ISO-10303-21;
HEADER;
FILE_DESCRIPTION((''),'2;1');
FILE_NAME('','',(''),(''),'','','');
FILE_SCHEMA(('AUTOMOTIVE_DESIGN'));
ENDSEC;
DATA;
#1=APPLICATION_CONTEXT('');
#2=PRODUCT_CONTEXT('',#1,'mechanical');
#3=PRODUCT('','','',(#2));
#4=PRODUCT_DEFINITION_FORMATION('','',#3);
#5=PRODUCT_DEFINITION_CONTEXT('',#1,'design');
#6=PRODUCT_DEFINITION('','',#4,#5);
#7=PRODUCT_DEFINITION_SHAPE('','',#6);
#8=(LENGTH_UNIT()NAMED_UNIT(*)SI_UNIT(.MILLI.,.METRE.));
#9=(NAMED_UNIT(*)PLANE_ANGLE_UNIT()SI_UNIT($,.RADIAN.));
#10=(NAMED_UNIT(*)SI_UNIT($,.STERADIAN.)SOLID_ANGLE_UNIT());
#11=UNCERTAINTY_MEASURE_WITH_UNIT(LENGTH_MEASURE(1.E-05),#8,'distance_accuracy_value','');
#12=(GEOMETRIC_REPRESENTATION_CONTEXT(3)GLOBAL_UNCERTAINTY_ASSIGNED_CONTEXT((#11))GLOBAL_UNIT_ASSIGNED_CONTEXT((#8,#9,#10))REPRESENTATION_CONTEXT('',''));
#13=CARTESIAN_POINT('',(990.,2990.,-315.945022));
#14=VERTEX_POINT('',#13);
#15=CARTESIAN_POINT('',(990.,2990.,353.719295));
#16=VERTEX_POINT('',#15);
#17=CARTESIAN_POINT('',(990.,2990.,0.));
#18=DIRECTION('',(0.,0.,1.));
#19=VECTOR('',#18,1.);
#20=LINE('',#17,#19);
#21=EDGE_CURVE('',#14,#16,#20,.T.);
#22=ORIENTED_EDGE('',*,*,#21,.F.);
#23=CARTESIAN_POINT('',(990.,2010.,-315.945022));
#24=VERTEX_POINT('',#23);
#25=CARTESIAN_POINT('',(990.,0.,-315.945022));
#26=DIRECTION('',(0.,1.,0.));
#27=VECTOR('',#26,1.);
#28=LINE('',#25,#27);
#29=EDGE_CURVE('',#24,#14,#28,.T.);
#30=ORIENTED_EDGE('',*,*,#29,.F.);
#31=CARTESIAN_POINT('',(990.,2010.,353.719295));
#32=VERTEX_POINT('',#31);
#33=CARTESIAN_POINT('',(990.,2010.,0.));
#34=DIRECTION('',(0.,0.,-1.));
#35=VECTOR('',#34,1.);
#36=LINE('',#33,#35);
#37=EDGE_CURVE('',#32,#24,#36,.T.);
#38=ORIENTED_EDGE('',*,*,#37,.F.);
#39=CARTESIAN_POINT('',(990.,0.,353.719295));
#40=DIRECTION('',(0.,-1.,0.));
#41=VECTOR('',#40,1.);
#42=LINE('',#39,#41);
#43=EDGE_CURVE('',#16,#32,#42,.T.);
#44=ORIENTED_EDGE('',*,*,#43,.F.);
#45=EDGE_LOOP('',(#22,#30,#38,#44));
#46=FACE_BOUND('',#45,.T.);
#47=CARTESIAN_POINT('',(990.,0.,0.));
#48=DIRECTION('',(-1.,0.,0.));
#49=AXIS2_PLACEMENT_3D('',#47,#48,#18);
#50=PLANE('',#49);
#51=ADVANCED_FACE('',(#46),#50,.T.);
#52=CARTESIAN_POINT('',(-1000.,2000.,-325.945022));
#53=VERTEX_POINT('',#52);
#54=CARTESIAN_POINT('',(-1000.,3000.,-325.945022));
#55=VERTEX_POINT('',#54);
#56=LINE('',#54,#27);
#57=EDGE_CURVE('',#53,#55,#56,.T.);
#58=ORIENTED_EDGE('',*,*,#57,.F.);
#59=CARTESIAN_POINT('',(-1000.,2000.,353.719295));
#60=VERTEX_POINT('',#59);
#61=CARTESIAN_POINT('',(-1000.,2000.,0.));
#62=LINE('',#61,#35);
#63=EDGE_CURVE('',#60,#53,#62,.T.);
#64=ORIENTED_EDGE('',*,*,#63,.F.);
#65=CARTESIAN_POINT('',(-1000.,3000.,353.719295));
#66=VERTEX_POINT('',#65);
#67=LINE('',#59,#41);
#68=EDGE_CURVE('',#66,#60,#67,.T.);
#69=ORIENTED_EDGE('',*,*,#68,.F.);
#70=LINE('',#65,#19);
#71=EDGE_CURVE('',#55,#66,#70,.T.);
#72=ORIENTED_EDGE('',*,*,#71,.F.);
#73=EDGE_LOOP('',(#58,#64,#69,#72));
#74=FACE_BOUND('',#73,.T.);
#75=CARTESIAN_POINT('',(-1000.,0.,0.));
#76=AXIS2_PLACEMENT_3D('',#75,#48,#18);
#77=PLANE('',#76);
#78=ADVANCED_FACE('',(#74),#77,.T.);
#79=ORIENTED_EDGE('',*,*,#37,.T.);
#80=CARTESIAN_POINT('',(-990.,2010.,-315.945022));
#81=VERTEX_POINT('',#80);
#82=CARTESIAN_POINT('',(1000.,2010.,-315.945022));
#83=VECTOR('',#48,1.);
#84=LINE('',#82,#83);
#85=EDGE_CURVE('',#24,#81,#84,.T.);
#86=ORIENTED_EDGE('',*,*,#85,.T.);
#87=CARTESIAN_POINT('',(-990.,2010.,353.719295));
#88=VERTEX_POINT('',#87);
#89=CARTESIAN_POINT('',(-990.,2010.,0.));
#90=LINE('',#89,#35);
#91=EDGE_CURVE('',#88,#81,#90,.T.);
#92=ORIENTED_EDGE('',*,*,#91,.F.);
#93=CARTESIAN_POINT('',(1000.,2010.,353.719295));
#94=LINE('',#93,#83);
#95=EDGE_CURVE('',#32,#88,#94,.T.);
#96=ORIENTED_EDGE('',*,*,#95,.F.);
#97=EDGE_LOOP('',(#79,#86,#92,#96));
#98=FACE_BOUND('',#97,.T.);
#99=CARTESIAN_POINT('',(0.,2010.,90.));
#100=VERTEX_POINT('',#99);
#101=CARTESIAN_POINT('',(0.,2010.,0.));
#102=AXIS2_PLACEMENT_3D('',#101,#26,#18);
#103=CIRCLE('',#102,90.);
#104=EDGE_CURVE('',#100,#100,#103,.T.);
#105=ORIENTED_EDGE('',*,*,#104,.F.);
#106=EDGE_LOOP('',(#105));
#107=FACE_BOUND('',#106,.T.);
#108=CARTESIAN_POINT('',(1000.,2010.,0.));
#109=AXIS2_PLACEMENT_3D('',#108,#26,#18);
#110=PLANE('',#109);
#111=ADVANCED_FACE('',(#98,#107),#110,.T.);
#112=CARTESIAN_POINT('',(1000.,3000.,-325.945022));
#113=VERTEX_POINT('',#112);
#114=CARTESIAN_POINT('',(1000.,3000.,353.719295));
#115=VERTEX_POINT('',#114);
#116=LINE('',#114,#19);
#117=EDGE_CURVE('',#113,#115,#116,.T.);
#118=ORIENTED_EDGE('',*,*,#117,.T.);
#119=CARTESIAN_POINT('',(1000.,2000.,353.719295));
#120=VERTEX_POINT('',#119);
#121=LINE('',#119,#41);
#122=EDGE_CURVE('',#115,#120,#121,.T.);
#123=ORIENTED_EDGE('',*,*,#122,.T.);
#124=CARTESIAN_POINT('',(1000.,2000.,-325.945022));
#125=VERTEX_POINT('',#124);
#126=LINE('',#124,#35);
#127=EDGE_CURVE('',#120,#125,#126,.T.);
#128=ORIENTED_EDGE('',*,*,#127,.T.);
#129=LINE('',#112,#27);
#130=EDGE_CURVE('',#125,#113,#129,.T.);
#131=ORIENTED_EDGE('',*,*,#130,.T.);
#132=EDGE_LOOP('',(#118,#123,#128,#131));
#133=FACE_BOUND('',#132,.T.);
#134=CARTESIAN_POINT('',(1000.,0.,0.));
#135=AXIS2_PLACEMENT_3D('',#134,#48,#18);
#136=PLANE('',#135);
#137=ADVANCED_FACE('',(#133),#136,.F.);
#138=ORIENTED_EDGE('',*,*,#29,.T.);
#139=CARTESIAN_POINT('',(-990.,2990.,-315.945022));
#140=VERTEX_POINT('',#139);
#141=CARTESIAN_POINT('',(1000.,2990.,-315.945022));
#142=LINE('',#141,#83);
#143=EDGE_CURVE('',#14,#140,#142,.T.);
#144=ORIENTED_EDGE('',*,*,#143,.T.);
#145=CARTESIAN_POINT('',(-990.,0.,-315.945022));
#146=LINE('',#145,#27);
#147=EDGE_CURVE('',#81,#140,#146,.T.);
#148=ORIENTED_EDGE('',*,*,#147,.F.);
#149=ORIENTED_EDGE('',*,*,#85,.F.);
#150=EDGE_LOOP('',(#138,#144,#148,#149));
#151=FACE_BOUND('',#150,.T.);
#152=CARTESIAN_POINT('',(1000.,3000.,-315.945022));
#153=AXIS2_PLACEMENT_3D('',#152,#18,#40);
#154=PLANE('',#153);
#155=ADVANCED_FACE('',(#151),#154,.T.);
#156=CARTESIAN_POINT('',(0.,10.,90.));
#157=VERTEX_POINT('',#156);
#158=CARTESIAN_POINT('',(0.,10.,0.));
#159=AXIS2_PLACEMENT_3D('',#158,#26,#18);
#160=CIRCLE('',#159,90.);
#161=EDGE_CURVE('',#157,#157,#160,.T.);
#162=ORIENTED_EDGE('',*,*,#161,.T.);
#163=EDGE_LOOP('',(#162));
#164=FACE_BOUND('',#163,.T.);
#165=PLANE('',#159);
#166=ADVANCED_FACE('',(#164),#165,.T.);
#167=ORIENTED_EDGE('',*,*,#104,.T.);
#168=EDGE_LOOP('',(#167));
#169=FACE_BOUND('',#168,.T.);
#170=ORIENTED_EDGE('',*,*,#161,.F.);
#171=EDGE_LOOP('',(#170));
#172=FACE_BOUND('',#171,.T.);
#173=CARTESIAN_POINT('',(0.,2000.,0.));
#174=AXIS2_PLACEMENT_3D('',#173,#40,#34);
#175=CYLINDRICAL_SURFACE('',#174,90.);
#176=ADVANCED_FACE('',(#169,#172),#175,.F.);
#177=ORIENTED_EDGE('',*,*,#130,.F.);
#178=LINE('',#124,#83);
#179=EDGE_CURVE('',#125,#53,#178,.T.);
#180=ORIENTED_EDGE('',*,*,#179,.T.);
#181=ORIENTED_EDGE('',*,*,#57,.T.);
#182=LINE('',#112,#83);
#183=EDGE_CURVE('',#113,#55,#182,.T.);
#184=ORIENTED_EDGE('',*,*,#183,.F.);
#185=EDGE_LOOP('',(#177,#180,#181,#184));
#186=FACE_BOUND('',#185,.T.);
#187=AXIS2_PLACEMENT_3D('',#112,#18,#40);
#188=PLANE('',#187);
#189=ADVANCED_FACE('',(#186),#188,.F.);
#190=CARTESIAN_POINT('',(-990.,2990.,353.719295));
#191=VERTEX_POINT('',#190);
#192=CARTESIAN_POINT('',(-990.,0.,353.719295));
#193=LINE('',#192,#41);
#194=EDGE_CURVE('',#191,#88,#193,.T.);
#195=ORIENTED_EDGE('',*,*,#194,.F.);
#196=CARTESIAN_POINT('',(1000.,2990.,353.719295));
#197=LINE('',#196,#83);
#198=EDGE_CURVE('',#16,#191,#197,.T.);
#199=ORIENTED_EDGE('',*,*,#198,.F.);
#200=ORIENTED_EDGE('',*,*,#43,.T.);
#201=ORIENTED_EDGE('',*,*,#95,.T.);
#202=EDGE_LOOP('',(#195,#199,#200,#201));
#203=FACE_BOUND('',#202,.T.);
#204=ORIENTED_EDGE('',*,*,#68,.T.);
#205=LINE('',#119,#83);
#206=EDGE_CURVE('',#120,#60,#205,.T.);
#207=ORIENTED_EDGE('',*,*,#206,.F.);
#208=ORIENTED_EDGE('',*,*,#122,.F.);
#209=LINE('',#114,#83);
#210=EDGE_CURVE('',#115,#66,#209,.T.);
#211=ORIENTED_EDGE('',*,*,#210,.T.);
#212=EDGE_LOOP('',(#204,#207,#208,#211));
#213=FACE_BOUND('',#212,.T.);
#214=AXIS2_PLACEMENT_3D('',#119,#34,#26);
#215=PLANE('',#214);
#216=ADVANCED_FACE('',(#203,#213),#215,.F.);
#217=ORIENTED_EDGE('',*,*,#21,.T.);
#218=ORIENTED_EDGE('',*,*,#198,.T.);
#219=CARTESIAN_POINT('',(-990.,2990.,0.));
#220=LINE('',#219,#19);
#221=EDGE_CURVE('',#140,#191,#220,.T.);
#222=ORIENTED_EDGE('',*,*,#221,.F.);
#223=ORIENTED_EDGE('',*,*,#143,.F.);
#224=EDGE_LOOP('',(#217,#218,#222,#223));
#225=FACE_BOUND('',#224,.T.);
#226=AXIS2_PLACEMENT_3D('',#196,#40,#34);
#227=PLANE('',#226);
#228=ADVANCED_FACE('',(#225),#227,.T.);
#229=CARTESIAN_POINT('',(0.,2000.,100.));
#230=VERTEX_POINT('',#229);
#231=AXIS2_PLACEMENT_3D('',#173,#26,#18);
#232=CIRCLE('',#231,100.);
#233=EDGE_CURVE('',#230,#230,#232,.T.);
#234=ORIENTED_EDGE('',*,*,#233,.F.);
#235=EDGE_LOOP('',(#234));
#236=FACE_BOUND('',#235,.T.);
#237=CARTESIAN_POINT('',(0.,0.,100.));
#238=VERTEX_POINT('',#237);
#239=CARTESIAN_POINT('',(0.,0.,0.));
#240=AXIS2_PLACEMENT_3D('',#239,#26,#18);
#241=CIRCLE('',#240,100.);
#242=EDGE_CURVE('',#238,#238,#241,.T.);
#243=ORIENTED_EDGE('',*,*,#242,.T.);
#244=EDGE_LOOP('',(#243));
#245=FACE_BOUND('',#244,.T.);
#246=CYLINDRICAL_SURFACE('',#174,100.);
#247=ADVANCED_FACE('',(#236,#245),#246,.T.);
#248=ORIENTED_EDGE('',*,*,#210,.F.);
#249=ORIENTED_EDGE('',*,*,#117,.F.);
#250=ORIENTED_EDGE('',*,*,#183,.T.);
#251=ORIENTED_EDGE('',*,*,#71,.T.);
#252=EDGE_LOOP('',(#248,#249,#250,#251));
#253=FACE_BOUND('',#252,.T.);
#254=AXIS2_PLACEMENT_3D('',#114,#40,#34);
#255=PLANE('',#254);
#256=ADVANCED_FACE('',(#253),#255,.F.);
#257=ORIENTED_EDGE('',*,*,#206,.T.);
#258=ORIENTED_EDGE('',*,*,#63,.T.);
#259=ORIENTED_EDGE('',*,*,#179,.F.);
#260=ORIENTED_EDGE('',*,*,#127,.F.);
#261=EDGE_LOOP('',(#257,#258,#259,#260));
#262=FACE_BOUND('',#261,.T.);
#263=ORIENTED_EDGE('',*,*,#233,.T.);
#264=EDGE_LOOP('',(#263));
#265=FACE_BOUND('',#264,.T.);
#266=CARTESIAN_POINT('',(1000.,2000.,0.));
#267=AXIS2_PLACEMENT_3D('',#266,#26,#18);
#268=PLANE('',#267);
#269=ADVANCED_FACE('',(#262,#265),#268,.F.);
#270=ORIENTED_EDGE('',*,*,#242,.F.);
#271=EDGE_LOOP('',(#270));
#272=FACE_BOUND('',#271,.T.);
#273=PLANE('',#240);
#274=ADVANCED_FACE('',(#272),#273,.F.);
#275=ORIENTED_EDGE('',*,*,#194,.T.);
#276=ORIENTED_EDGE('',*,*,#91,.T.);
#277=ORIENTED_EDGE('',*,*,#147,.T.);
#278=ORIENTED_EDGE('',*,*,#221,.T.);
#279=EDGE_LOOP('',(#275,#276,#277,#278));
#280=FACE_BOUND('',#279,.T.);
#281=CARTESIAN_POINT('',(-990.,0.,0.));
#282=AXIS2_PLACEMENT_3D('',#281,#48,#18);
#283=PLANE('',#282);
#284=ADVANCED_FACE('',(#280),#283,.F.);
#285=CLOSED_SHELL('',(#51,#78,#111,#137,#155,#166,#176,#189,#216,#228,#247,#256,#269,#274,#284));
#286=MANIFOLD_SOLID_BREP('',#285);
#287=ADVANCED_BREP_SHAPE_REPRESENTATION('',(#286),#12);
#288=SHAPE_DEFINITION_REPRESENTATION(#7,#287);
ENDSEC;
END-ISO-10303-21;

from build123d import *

# Parameters (mm, degrees)
SKETCH2_R           = 100
BOSS_EXTRUDE1_DEPTH = 2000
BOSS_EXTRUDE2_DEPTH = 1000
SHELL1_T            = -10


with BuildPart() as part:
    # Sketch2 → Boss-Extrude1 (new body)
    with BuildSketch(Plane(origin=(0, 0, 0), x_dir=(1, 0, 0), z_dir=(0, 1, 0))):
        Circle(SKETCH2_R)
    extrude(amount=BOSS_EXTRUDE1_DEPTH)

    # Sketch3 → Boss-Extrude2 (add, symmetric)
    with BuildSketch(Plane(origin=(0, 0, 0), x_dir=(0, 0, -1), z_dir=(1, 0, 0))):
        Polygon((0, 2000), (-353.719295441, 2000), (-353.719295441, 3000), (325.945022222, 3000), (325.945022222, 2000), align=None)
    extrude(amount=BOSS_EXTRUDE2_DEPTH, both=True)

    # Shell1
    shell1_openings = [part.faces().sort_by_distance(p)[0] for p in [
        (0, 2500, 353.719295441),
    ]]
    offset(amount=SHELL1_T, openings=shell1_openings, kind=Kind.INTERSECTION)


solid = part.part
